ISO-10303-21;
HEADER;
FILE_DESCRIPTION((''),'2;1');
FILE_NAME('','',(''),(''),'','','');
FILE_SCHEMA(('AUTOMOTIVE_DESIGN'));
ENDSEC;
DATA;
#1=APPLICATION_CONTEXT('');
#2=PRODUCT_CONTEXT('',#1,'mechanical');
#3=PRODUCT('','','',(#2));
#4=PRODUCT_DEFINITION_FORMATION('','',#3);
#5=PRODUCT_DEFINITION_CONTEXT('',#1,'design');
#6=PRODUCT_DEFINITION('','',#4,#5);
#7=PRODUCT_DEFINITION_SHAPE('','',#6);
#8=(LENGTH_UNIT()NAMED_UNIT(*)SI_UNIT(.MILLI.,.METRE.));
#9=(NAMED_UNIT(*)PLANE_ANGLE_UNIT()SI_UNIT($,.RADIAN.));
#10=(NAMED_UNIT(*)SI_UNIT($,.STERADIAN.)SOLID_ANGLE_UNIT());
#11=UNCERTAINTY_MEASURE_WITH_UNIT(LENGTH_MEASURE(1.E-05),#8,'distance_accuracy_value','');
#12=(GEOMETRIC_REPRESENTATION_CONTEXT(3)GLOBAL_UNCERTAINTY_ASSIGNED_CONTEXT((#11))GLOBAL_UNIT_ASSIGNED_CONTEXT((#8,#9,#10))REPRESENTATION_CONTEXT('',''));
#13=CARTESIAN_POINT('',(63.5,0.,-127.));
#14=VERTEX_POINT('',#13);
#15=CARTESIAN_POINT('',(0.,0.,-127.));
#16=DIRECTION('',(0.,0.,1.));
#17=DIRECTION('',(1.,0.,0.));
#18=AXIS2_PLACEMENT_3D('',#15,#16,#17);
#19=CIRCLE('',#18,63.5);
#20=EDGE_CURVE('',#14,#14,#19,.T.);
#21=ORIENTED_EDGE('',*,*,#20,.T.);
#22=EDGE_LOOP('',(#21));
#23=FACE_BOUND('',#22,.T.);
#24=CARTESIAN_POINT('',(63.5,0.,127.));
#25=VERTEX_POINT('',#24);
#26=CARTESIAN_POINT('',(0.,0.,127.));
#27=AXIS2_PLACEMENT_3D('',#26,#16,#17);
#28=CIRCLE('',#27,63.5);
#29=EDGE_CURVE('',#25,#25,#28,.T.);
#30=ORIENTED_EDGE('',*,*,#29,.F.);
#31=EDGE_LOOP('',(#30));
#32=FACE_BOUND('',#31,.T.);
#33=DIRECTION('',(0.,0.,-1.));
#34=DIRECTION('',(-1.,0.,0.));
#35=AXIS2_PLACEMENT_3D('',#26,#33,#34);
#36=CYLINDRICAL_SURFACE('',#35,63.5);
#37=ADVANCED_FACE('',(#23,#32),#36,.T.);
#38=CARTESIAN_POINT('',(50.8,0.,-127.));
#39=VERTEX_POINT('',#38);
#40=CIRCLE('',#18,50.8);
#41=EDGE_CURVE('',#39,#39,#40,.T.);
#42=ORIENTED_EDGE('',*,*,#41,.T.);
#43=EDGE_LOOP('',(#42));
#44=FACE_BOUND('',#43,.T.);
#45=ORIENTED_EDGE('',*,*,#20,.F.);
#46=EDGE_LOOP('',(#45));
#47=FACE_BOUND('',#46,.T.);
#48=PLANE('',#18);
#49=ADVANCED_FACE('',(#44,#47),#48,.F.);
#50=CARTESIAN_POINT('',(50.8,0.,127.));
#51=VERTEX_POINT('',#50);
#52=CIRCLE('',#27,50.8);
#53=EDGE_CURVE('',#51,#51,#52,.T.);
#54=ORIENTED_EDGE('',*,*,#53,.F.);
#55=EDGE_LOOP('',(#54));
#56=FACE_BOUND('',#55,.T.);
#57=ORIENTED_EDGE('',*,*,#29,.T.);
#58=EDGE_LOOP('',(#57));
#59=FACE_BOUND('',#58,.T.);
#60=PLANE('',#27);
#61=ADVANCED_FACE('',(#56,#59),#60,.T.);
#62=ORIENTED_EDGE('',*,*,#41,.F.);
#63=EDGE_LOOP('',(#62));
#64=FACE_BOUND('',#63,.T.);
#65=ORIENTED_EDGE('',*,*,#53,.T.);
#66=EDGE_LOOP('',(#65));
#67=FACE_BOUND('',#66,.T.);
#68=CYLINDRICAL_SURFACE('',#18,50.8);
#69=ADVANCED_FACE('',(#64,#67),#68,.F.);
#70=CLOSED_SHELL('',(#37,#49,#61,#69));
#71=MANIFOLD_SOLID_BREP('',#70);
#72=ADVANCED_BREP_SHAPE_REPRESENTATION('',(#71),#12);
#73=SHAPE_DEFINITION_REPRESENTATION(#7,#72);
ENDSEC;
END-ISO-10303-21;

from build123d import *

# Parameters (mm, degrees)
SKETCH1_R           = 63.5
BOSS_EXTRUDE1_DEPTH = 127
SKETCH2_R           = 50.8
CUT_EXTRUDE1_DEPTH  = 270.407683632


with BuildPart() as part:
    # Sketch1 → Boss-Extrude1 (new, symmetric)
    with BuildSketch(Plane.XY):
        Circle(SKETCH1_R)
    extrude(amount=BOSS_EXTRUDE1_DEPTH, both=True)

    # Sketch2 → Cut-Extrude1 (cut, through all)
    with BuildSketch(Plane.XY.offset(127)):
        Circle(SKETCH2_R)
    extrude(amount=-CUT_EXTRUDE1_DEPTH, mode=Mode.SUBTRACT)


solid = part.part
